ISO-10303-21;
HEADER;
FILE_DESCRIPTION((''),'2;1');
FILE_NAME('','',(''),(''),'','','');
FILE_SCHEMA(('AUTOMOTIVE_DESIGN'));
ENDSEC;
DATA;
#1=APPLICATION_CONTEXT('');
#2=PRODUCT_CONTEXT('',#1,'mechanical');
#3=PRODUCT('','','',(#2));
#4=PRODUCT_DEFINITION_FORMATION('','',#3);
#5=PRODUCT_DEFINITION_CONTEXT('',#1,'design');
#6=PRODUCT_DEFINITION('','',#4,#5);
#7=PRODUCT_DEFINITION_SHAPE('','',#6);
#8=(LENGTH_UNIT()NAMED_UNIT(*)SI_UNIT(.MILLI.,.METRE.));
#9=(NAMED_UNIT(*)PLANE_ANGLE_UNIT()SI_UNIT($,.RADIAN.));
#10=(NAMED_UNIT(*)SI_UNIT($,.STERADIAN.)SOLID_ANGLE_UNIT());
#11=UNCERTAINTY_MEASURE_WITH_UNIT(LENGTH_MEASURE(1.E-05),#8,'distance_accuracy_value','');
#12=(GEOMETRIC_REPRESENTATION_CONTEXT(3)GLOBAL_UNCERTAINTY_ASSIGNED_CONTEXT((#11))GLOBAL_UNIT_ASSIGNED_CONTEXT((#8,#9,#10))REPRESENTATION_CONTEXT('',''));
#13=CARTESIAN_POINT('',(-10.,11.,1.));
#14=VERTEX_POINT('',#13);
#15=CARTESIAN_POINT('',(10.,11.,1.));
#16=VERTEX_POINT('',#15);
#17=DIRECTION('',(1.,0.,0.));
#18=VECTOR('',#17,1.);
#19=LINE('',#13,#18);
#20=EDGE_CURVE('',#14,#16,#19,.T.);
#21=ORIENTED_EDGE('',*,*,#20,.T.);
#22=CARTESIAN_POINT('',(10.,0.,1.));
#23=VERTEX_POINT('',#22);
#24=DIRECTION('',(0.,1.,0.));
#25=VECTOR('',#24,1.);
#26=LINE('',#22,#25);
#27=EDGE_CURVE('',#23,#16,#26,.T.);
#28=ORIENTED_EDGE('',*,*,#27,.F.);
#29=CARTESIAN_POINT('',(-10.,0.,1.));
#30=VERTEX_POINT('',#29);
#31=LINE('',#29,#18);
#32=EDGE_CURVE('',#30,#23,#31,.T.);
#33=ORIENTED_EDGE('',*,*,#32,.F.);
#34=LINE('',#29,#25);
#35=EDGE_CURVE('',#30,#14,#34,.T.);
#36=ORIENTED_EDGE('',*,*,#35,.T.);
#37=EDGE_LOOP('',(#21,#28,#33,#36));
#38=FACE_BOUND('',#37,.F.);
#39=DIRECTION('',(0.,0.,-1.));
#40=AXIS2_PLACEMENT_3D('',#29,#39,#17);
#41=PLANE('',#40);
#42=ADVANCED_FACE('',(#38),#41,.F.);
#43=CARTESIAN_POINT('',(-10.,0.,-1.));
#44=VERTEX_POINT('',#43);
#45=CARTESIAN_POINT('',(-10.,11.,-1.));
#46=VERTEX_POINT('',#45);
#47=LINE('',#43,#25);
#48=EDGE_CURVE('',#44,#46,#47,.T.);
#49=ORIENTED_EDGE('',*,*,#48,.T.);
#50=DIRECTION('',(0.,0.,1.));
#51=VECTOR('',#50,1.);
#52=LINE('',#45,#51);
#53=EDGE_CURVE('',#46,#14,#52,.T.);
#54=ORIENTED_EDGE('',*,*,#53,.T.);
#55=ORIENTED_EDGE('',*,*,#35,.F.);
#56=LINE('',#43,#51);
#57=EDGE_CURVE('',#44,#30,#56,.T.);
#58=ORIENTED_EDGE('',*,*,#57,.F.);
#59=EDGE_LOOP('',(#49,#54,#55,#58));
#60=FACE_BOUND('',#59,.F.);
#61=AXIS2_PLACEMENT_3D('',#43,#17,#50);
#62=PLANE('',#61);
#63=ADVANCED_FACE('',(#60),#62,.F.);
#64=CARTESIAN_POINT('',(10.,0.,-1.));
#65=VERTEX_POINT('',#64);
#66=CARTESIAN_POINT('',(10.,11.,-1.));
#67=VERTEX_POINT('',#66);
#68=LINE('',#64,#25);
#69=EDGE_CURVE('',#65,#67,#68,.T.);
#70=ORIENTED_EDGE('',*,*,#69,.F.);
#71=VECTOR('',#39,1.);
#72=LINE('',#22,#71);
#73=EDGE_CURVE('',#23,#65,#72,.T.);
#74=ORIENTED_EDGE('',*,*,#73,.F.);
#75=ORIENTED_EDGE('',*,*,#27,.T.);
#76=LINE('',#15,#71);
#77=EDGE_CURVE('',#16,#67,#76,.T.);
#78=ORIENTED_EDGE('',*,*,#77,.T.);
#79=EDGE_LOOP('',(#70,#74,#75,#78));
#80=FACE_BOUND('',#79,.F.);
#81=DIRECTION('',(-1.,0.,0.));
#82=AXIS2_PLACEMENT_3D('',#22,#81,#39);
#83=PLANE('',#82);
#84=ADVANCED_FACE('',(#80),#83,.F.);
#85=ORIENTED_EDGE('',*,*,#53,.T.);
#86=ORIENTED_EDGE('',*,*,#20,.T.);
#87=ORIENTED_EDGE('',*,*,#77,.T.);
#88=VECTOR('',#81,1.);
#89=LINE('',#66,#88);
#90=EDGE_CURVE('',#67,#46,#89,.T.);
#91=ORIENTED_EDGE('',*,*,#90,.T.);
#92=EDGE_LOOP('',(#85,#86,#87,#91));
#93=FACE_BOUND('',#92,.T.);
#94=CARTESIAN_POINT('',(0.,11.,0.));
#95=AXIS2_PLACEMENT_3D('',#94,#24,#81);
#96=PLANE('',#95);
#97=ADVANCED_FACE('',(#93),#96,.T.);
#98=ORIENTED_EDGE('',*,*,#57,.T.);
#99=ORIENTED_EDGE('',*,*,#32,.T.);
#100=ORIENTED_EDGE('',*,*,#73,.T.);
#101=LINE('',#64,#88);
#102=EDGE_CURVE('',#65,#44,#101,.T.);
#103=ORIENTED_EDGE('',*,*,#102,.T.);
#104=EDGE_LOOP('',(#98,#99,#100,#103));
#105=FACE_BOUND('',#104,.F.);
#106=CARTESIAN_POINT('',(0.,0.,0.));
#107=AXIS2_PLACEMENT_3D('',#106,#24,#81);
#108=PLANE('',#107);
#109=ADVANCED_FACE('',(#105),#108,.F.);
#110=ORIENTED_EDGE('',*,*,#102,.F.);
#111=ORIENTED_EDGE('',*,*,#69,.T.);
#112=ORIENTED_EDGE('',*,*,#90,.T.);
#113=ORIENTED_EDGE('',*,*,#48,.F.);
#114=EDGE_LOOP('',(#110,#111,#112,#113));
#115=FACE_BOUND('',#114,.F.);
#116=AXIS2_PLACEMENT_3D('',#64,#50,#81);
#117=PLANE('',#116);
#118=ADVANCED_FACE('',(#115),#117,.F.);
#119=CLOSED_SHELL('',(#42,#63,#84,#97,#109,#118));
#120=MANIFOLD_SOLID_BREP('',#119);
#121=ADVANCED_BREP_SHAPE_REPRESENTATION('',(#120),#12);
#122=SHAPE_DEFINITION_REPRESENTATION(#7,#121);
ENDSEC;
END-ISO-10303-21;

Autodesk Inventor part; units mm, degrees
ref_plane "YZ Plane" through (0, 0, 0) normal (1, 0, 0) x (0, 1, 0)
ref_plane "XZ Plane" through (0, 0, 0) normal (0, 1, 0) x (-1, 0, 0)
ref_plane "XY Plane" through (0, 0, 0) normal (0, 0, 1) x (1, 0, 0)
sketch "Skizze1" plane through (0, 0, 0) normal (0, 1, 0) x (-1, 0, 0)
  line L0 (-10, -1) -> (10, -1)
  line L1 (10, -1) -> (10, 1)
  line L2 (10, 1) -> (-10, 1)
  line L3 (-10, 1) -> (-10, -1)
  line L4 (-10, -1) -> (10, 1) construction
  line L5 (10, -1) -> (-10, 1) construction
  point P0 (0, 0)
  dimension "d0" = 2
  dimension "d3" = 20
extrude "Extrusion1" add sketch "Skizze1" along normal blind 11
properties part number "P_Spacer_Dummy_ESP32C3"
